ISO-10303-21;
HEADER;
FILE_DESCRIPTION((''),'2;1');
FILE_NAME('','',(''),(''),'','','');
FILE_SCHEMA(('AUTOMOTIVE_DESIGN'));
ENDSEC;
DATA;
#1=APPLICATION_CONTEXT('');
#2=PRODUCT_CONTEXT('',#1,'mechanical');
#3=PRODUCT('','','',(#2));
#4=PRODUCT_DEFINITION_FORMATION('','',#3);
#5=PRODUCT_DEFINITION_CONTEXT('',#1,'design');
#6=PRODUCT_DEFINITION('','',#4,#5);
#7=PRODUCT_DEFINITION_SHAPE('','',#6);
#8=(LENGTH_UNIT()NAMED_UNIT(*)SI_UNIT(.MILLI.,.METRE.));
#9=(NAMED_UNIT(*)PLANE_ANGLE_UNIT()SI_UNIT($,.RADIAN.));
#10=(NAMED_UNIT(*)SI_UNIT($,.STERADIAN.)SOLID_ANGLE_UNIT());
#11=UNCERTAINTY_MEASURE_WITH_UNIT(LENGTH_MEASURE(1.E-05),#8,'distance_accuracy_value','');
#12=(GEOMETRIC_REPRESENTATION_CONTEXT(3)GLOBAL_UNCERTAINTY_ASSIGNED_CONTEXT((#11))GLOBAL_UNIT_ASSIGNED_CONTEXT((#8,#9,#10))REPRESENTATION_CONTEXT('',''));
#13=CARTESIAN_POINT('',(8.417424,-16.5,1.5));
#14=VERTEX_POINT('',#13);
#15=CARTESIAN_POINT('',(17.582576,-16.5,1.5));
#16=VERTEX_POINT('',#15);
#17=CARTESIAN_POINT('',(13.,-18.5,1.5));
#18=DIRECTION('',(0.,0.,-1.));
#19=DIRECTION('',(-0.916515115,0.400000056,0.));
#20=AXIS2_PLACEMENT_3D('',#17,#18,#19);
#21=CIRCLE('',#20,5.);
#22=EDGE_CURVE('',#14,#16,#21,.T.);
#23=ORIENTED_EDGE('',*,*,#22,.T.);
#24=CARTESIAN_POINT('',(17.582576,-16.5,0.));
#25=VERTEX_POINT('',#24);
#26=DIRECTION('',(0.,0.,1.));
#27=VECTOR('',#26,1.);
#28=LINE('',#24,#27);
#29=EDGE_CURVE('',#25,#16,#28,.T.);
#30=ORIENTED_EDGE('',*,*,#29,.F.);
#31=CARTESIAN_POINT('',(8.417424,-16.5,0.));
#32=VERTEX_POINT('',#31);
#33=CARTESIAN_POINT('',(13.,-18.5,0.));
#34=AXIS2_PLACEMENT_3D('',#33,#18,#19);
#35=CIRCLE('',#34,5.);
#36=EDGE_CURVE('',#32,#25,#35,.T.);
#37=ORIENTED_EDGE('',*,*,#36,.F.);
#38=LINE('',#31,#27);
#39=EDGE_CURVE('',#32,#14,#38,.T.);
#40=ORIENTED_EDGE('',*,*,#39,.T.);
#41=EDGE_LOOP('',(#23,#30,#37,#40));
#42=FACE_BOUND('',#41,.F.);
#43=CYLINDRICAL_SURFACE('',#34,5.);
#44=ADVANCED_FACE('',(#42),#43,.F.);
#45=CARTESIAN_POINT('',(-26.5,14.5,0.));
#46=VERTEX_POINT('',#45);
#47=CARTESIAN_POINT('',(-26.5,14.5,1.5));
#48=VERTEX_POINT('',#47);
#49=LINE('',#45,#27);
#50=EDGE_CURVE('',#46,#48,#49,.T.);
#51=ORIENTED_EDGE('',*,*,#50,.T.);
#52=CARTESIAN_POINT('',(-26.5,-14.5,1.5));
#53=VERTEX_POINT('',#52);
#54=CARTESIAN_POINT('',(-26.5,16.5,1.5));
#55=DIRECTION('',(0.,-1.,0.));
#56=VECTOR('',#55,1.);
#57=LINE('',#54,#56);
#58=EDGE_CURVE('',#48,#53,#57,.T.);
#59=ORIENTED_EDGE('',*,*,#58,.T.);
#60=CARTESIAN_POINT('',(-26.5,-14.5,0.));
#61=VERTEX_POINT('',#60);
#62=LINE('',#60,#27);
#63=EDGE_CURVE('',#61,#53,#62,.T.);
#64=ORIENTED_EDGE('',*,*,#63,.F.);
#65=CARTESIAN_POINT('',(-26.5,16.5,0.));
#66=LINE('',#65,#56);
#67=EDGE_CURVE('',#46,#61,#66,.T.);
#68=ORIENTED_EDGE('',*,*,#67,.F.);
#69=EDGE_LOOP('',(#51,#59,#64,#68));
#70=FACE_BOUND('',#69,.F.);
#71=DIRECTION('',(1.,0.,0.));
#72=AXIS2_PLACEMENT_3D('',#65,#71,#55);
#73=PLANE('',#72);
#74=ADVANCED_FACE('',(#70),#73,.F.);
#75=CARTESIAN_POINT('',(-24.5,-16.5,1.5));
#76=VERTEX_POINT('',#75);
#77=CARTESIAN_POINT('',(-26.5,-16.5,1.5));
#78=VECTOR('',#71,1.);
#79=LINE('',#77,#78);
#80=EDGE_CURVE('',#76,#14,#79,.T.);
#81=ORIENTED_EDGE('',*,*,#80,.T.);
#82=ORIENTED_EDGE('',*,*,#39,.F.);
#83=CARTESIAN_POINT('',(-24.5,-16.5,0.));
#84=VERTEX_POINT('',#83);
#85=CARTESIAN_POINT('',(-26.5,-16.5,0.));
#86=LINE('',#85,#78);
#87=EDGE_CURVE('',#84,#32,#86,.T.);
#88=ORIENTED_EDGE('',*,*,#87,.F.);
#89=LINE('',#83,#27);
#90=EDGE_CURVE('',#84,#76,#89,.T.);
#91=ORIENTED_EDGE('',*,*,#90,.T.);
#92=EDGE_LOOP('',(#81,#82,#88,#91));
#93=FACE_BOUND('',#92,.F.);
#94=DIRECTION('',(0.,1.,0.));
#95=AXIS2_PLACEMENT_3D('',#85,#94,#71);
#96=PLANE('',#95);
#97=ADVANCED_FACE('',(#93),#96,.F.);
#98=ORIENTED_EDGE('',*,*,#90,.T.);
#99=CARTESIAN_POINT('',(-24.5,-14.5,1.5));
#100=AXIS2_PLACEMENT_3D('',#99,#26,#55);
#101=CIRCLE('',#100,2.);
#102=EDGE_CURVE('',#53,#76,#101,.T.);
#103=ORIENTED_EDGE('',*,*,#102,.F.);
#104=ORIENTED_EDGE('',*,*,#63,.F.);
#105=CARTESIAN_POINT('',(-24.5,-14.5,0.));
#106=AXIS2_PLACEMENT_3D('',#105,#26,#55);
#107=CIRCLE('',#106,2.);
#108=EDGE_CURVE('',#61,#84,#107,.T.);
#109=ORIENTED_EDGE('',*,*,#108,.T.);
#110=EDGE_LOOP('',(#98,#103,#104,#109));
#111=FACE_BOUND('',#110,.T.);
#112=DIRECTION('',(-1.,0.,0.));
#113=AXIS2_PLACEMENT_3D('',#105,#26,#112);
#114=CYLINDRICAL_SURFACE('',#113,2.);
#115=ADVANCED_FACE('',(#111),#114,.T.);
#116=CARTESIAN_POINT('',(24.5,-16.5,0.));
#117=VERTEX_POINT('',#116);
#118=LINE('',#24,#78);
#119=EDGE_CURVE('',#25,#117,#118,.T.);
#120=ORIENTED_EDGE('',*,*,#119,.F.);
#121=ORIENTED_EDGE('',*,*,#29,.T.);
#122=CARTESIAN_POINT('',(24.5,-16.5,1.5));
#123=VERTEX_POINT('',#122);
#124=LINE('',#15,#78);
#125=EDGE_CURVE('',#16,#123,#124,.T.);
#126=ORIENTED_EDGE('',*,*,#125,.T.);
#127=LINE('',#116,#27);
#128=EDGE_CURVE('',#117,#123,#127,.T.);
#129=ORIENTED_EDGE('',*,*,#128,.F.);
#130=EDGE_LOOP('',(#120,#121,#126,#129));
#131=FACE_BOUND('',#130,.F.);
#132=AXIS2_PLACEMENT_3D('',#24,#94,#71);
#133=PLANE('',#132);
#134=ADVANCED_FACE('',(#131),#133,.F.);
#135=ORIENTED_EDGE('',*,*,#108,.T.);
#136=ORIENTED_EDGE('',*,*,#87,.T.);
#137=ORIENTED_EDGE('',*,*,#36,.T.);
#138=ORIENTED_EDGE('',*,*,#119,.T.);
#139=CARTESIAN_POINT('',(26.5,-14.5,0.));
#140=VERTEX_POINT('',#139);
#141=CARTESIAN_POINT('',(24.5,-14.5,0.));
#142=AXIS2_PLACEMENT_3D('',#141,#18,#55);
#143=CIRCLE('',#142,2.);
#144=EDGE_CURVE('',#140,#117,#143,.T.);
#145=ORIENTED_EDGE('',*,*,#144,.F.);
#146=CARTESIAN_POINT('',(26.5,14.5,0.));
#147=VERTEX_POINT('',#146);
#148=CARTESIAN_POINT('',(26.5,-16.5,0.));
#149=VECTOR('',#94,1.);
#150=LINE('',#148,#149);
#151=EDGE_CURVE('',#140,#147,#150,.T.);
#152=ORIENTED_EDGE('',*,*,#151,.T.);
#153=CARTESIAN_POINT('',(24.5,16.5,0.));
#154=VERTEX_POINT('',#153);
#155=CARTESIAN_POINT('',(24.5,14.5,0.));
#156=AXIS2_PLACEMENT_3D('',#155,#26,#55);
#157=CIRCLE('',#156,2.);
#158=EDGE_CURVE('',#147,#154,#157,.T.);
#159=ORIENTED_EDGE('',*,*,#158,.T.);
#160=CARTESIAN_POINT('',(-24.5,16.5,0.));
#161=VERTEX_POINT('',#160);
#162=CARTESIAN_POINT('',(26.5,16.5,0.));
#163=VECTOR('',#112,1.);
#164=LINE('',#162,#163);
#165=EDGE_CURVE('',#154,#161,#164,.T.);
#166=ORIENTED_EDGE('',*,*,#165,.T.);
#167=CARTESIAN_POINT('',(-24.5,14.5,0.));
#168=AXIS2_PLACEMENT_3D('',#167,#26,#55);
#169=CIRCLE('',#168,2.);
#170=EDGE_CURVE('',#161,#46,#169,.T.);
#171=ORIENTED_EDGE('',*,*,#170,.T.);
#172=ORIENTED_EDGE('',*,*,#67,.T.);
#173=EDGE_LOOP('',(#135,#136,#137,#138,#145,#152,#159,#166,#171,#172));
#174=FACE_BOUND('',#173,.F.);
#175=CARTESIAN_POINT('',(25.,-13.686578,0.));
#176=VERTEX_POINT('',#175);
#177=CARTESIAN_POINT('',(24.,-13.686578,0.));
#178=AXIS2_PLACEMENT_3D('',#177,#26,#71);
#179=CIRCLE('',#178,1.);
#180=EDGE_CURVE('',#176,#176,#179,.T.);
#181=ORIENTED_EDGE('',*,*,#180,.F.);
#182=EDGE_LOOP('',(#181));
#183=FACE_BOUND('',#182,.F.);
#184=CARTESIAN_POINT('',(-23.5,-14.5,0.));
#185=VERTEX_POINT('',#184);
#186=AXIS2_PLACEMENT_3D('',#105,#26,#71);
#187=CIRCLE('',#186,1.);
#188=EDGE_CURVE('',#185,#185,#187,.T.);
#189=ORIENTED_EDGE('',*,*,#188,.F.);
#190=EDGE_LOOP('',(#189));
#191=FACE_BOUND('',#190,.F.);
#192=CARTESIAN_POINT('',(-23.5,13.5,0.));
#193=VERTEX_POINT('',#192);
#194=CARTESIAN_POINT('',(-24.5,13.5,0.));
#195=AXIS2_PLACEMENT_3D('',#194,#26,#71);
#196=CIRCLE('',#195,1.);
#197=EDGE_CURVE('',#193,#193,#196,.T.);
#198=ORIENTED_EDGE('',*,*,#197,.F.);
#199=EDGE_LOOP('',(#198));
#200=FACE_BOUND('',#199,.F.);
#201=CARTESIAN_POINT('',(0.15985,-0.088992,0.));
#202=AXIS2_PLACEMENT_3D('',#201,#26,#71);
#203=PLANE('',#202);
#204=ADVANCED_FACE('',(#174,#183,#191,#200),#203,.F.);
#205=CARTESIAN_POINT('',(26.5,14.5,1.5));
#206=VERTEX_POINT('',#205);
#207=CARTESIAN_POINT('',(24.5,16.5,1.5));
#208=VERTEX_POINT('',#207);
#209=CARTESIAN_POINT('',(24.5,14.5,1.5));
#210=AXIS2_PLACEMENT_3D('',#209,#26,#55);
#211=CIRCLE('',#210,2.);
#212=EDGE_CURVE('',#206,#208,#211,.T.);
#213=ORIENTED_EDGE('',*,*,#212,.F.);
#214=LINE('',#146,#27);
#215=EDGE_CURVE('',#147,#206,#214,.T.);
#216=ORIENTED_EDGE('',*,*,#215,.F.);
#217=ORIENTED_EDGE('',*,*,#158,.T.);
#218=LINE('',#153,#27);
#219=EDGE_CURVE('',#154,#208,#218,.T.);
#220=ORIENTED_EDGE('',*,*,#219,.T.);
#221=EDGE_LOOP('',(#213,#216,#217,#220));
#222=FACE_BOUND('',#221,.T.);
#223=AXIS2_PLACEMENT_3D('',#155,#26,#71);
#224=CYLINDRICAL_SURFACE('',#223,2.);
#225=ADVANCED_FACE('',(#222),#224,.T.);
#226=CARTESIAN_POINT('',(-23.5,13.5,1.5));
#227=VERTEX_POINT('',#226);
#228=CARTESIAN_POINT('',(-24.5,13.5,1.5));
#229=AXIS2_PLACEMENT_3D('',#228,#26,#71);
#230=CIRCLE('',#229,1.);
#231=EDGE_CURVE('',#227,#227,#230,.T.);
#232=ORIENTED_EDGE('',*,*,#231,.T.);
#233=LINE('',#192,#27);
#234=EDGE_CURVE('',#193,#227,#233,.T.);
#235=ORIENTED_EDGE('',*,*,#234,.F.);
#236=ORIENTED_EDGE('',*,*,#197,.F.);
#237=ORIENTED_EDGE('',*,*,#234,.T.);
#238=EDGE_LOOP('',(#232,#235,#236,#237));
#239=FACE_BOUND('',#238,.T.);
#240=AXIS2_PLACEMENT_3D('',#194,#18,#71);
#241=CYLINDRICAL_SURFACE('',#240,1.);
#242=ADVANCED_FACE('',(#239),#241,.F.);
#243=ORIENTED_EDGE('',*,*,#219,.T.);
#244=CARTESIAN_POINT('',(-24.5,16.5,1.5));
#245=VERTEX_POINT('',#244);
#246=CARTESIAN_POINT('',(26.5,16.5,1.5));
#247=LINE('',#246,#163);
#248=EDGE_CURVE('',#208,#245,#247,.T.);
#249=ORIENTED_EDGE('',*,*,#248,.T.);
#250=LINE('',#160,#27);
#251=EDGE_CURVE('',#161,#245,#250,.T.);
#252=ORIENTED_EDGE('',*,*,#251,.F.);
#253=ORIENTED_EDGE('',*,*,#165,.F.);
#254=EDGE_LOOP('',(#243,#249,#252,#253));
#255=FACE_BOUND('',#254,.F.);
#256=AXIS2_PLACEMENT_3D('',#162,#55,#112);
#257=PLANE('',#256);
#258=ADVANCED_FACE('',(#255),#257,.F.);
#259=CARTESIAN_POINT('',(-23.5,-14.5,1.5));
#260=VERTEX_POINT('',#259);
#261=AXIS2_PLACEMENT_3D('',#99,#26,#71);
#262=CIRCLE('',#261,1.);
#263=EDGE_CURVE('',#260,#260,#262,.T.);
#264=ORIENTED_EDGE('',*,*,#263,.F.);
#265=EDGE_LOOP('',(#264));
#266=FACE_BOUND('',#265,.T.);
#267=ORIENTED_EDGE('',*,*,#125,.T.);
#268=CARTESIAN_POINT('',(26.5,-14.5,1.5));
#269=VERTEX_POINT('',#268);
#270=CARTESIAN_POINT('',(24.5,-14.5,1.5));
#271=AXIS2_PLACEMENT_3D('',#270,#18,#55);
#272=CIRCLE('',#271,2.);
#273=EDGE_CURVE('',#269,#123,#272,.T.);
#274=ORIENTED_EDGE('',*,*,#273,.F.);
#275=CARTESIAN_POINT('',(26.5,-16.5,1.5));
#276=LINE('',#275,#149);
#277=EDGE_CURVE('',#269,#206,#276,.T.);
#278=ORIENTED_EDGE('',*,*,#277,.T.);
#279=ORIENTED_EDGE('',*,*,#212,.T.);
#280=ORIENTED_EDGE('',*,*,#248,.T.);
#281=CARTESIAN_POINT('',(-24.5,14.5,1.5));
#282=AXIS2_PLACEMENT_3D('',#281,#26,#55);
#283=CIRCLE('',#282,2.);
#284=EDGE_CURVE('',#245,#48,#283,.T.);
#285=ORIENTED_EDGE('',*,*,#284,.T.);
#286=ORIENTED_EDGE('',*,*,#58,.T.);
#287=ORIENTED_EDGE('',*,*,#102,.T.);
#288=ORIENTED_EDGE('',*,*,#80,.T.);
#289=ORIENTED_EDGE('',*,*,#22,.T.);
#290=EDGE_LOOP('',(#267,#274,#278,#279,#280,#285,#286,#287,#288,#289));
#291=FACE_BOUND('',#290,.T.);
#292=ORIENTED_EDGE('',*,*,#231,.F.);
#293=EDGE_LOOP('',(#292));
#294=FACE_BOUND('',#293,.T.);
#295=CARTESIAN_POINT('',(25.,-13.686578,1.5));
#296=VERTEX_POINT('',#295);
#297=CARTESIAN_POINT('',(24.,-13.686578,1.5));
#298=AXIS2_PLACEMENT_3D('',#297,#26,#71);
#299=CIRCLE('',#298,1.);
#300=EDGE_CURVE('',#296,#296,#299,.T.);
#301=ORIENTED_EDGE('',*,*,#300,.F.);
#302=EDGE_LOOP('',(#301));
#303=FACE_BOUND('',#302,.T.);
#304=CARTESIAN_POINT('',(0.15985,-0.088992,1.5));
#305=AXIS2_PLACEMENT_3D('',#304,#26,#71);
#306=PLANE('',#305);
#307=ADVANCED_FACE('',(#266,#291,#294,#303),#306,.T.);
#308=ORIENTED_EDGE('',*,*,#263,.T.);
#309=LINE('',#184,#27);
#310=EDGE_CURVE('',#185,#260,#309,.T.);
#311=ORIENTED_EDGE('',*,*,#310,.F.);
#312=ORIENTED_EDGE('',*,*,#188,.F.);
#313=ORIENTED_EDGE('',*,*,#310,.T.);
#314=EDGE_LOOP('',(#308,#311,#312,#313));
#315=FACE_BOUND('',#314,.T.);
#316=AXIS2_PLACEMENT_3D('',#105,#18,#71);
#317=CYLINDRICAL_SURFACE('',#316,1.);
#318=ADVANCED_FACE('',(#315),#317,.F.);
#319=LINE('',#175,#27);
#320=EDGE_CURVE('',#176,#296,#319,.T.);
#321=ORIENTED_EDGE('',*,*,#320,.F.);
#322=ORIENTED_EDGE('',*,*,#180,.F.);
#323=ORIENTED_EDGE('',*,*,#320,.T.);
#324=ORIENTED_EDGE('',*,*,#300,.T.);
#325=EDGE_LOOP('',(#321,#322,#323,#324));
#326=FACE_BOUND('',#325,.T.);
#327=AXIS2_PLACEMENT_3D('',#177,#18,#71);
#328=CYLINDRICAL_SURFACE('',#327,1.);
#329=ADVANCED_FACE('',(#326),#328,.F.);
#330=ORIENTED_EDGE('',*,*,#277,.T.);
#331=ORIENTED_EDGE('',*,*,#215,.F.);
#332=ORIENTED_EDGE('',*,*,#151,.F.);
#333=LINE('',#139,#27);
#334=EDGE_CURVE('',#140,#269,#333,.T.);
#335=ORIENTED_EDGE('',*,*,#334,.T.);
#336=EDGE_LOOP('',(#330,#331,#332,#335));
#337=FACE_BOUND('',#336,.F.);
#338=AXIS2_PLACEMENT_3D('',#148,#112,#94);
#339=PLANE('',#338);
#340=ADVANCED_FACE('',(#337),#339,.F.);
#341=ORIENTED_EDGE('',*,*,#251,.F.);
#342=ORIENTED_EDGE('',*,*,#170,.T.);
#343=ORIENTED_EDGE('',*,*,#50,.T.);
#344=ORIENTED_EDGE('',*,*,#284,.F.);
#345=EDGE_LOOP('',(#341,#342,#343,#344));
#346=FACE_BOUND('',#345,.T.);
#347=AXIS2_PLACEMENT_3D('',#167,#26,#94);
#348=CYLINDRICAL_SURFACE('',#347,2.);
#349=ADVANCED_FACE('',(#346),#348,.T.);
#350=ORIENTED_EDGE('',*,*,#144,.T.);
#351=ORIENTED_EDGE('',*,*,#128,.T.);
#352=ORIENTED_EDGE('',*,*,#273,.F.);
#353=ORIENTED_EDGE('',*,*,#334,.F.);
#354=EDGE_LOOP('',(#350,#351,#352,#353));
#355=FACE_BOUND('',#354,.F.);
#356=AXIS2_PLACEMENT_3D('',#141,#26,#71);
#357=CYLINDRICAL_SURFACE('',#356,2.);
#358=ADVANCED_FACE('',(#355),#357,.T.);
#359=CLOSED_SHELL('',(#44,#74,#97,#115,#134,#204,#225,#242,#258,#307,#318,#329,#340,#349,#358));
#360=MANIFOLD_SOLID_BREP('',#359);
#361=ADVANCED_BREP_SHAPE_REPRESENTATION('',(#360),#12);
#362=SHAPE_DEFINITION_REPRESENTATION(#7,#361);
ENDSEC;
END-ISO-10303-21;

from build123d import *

# Parameters (mm, degrees)
F0_R     = 1
F1_DEPTH = 1.5
F2_R     = 2


with BuildPart() as f1:
    # F0 (on Top) → F1 (new body)
    with BuildSketch(Plane.XY):
        with BuildLine():
            Line((26.5, -16.5), (26.5, 16.5))
            Line((26.5, 16.5), (-26.5, 16.5))
            Line((-26.5, 16.5), (-26.5, -16.5))
            Line((-26.5, -16.5), (8.417424, -16.5))
            ThreePointArc((8.417424, -16.5), (13, -13.5), (17.582576, -16.5))
            Line((17.582576, -16.5), (26.5, -16.5))
        make_face()
        with Locations((-24.5, -14.5)):
            Circle(F0_R, mode=Mode.SUBTRACT)
        with Locations((24, -13.686578)):
            Circle(F0_R, mode=Mode.SUBTRACT)
        with Locations((-24.5, 13.5)):
            Circle(F0_R, mode=Mode.SUBTRACT)
    extrude(amount=F1_DEPTH)

    # F2
    f2_edges = [f1.edges().sort_by_distance(p)[0] for p in [
        (-26.5, -16.5, 0.75),
        (26.5, -16.5, 0.75),
        (26.5, 16.5, 0.75),
        (-26.5, 16.5, 0.75),
    ]]
    fillet(f2_edges, radius=F2_R)


solid = f1.part
